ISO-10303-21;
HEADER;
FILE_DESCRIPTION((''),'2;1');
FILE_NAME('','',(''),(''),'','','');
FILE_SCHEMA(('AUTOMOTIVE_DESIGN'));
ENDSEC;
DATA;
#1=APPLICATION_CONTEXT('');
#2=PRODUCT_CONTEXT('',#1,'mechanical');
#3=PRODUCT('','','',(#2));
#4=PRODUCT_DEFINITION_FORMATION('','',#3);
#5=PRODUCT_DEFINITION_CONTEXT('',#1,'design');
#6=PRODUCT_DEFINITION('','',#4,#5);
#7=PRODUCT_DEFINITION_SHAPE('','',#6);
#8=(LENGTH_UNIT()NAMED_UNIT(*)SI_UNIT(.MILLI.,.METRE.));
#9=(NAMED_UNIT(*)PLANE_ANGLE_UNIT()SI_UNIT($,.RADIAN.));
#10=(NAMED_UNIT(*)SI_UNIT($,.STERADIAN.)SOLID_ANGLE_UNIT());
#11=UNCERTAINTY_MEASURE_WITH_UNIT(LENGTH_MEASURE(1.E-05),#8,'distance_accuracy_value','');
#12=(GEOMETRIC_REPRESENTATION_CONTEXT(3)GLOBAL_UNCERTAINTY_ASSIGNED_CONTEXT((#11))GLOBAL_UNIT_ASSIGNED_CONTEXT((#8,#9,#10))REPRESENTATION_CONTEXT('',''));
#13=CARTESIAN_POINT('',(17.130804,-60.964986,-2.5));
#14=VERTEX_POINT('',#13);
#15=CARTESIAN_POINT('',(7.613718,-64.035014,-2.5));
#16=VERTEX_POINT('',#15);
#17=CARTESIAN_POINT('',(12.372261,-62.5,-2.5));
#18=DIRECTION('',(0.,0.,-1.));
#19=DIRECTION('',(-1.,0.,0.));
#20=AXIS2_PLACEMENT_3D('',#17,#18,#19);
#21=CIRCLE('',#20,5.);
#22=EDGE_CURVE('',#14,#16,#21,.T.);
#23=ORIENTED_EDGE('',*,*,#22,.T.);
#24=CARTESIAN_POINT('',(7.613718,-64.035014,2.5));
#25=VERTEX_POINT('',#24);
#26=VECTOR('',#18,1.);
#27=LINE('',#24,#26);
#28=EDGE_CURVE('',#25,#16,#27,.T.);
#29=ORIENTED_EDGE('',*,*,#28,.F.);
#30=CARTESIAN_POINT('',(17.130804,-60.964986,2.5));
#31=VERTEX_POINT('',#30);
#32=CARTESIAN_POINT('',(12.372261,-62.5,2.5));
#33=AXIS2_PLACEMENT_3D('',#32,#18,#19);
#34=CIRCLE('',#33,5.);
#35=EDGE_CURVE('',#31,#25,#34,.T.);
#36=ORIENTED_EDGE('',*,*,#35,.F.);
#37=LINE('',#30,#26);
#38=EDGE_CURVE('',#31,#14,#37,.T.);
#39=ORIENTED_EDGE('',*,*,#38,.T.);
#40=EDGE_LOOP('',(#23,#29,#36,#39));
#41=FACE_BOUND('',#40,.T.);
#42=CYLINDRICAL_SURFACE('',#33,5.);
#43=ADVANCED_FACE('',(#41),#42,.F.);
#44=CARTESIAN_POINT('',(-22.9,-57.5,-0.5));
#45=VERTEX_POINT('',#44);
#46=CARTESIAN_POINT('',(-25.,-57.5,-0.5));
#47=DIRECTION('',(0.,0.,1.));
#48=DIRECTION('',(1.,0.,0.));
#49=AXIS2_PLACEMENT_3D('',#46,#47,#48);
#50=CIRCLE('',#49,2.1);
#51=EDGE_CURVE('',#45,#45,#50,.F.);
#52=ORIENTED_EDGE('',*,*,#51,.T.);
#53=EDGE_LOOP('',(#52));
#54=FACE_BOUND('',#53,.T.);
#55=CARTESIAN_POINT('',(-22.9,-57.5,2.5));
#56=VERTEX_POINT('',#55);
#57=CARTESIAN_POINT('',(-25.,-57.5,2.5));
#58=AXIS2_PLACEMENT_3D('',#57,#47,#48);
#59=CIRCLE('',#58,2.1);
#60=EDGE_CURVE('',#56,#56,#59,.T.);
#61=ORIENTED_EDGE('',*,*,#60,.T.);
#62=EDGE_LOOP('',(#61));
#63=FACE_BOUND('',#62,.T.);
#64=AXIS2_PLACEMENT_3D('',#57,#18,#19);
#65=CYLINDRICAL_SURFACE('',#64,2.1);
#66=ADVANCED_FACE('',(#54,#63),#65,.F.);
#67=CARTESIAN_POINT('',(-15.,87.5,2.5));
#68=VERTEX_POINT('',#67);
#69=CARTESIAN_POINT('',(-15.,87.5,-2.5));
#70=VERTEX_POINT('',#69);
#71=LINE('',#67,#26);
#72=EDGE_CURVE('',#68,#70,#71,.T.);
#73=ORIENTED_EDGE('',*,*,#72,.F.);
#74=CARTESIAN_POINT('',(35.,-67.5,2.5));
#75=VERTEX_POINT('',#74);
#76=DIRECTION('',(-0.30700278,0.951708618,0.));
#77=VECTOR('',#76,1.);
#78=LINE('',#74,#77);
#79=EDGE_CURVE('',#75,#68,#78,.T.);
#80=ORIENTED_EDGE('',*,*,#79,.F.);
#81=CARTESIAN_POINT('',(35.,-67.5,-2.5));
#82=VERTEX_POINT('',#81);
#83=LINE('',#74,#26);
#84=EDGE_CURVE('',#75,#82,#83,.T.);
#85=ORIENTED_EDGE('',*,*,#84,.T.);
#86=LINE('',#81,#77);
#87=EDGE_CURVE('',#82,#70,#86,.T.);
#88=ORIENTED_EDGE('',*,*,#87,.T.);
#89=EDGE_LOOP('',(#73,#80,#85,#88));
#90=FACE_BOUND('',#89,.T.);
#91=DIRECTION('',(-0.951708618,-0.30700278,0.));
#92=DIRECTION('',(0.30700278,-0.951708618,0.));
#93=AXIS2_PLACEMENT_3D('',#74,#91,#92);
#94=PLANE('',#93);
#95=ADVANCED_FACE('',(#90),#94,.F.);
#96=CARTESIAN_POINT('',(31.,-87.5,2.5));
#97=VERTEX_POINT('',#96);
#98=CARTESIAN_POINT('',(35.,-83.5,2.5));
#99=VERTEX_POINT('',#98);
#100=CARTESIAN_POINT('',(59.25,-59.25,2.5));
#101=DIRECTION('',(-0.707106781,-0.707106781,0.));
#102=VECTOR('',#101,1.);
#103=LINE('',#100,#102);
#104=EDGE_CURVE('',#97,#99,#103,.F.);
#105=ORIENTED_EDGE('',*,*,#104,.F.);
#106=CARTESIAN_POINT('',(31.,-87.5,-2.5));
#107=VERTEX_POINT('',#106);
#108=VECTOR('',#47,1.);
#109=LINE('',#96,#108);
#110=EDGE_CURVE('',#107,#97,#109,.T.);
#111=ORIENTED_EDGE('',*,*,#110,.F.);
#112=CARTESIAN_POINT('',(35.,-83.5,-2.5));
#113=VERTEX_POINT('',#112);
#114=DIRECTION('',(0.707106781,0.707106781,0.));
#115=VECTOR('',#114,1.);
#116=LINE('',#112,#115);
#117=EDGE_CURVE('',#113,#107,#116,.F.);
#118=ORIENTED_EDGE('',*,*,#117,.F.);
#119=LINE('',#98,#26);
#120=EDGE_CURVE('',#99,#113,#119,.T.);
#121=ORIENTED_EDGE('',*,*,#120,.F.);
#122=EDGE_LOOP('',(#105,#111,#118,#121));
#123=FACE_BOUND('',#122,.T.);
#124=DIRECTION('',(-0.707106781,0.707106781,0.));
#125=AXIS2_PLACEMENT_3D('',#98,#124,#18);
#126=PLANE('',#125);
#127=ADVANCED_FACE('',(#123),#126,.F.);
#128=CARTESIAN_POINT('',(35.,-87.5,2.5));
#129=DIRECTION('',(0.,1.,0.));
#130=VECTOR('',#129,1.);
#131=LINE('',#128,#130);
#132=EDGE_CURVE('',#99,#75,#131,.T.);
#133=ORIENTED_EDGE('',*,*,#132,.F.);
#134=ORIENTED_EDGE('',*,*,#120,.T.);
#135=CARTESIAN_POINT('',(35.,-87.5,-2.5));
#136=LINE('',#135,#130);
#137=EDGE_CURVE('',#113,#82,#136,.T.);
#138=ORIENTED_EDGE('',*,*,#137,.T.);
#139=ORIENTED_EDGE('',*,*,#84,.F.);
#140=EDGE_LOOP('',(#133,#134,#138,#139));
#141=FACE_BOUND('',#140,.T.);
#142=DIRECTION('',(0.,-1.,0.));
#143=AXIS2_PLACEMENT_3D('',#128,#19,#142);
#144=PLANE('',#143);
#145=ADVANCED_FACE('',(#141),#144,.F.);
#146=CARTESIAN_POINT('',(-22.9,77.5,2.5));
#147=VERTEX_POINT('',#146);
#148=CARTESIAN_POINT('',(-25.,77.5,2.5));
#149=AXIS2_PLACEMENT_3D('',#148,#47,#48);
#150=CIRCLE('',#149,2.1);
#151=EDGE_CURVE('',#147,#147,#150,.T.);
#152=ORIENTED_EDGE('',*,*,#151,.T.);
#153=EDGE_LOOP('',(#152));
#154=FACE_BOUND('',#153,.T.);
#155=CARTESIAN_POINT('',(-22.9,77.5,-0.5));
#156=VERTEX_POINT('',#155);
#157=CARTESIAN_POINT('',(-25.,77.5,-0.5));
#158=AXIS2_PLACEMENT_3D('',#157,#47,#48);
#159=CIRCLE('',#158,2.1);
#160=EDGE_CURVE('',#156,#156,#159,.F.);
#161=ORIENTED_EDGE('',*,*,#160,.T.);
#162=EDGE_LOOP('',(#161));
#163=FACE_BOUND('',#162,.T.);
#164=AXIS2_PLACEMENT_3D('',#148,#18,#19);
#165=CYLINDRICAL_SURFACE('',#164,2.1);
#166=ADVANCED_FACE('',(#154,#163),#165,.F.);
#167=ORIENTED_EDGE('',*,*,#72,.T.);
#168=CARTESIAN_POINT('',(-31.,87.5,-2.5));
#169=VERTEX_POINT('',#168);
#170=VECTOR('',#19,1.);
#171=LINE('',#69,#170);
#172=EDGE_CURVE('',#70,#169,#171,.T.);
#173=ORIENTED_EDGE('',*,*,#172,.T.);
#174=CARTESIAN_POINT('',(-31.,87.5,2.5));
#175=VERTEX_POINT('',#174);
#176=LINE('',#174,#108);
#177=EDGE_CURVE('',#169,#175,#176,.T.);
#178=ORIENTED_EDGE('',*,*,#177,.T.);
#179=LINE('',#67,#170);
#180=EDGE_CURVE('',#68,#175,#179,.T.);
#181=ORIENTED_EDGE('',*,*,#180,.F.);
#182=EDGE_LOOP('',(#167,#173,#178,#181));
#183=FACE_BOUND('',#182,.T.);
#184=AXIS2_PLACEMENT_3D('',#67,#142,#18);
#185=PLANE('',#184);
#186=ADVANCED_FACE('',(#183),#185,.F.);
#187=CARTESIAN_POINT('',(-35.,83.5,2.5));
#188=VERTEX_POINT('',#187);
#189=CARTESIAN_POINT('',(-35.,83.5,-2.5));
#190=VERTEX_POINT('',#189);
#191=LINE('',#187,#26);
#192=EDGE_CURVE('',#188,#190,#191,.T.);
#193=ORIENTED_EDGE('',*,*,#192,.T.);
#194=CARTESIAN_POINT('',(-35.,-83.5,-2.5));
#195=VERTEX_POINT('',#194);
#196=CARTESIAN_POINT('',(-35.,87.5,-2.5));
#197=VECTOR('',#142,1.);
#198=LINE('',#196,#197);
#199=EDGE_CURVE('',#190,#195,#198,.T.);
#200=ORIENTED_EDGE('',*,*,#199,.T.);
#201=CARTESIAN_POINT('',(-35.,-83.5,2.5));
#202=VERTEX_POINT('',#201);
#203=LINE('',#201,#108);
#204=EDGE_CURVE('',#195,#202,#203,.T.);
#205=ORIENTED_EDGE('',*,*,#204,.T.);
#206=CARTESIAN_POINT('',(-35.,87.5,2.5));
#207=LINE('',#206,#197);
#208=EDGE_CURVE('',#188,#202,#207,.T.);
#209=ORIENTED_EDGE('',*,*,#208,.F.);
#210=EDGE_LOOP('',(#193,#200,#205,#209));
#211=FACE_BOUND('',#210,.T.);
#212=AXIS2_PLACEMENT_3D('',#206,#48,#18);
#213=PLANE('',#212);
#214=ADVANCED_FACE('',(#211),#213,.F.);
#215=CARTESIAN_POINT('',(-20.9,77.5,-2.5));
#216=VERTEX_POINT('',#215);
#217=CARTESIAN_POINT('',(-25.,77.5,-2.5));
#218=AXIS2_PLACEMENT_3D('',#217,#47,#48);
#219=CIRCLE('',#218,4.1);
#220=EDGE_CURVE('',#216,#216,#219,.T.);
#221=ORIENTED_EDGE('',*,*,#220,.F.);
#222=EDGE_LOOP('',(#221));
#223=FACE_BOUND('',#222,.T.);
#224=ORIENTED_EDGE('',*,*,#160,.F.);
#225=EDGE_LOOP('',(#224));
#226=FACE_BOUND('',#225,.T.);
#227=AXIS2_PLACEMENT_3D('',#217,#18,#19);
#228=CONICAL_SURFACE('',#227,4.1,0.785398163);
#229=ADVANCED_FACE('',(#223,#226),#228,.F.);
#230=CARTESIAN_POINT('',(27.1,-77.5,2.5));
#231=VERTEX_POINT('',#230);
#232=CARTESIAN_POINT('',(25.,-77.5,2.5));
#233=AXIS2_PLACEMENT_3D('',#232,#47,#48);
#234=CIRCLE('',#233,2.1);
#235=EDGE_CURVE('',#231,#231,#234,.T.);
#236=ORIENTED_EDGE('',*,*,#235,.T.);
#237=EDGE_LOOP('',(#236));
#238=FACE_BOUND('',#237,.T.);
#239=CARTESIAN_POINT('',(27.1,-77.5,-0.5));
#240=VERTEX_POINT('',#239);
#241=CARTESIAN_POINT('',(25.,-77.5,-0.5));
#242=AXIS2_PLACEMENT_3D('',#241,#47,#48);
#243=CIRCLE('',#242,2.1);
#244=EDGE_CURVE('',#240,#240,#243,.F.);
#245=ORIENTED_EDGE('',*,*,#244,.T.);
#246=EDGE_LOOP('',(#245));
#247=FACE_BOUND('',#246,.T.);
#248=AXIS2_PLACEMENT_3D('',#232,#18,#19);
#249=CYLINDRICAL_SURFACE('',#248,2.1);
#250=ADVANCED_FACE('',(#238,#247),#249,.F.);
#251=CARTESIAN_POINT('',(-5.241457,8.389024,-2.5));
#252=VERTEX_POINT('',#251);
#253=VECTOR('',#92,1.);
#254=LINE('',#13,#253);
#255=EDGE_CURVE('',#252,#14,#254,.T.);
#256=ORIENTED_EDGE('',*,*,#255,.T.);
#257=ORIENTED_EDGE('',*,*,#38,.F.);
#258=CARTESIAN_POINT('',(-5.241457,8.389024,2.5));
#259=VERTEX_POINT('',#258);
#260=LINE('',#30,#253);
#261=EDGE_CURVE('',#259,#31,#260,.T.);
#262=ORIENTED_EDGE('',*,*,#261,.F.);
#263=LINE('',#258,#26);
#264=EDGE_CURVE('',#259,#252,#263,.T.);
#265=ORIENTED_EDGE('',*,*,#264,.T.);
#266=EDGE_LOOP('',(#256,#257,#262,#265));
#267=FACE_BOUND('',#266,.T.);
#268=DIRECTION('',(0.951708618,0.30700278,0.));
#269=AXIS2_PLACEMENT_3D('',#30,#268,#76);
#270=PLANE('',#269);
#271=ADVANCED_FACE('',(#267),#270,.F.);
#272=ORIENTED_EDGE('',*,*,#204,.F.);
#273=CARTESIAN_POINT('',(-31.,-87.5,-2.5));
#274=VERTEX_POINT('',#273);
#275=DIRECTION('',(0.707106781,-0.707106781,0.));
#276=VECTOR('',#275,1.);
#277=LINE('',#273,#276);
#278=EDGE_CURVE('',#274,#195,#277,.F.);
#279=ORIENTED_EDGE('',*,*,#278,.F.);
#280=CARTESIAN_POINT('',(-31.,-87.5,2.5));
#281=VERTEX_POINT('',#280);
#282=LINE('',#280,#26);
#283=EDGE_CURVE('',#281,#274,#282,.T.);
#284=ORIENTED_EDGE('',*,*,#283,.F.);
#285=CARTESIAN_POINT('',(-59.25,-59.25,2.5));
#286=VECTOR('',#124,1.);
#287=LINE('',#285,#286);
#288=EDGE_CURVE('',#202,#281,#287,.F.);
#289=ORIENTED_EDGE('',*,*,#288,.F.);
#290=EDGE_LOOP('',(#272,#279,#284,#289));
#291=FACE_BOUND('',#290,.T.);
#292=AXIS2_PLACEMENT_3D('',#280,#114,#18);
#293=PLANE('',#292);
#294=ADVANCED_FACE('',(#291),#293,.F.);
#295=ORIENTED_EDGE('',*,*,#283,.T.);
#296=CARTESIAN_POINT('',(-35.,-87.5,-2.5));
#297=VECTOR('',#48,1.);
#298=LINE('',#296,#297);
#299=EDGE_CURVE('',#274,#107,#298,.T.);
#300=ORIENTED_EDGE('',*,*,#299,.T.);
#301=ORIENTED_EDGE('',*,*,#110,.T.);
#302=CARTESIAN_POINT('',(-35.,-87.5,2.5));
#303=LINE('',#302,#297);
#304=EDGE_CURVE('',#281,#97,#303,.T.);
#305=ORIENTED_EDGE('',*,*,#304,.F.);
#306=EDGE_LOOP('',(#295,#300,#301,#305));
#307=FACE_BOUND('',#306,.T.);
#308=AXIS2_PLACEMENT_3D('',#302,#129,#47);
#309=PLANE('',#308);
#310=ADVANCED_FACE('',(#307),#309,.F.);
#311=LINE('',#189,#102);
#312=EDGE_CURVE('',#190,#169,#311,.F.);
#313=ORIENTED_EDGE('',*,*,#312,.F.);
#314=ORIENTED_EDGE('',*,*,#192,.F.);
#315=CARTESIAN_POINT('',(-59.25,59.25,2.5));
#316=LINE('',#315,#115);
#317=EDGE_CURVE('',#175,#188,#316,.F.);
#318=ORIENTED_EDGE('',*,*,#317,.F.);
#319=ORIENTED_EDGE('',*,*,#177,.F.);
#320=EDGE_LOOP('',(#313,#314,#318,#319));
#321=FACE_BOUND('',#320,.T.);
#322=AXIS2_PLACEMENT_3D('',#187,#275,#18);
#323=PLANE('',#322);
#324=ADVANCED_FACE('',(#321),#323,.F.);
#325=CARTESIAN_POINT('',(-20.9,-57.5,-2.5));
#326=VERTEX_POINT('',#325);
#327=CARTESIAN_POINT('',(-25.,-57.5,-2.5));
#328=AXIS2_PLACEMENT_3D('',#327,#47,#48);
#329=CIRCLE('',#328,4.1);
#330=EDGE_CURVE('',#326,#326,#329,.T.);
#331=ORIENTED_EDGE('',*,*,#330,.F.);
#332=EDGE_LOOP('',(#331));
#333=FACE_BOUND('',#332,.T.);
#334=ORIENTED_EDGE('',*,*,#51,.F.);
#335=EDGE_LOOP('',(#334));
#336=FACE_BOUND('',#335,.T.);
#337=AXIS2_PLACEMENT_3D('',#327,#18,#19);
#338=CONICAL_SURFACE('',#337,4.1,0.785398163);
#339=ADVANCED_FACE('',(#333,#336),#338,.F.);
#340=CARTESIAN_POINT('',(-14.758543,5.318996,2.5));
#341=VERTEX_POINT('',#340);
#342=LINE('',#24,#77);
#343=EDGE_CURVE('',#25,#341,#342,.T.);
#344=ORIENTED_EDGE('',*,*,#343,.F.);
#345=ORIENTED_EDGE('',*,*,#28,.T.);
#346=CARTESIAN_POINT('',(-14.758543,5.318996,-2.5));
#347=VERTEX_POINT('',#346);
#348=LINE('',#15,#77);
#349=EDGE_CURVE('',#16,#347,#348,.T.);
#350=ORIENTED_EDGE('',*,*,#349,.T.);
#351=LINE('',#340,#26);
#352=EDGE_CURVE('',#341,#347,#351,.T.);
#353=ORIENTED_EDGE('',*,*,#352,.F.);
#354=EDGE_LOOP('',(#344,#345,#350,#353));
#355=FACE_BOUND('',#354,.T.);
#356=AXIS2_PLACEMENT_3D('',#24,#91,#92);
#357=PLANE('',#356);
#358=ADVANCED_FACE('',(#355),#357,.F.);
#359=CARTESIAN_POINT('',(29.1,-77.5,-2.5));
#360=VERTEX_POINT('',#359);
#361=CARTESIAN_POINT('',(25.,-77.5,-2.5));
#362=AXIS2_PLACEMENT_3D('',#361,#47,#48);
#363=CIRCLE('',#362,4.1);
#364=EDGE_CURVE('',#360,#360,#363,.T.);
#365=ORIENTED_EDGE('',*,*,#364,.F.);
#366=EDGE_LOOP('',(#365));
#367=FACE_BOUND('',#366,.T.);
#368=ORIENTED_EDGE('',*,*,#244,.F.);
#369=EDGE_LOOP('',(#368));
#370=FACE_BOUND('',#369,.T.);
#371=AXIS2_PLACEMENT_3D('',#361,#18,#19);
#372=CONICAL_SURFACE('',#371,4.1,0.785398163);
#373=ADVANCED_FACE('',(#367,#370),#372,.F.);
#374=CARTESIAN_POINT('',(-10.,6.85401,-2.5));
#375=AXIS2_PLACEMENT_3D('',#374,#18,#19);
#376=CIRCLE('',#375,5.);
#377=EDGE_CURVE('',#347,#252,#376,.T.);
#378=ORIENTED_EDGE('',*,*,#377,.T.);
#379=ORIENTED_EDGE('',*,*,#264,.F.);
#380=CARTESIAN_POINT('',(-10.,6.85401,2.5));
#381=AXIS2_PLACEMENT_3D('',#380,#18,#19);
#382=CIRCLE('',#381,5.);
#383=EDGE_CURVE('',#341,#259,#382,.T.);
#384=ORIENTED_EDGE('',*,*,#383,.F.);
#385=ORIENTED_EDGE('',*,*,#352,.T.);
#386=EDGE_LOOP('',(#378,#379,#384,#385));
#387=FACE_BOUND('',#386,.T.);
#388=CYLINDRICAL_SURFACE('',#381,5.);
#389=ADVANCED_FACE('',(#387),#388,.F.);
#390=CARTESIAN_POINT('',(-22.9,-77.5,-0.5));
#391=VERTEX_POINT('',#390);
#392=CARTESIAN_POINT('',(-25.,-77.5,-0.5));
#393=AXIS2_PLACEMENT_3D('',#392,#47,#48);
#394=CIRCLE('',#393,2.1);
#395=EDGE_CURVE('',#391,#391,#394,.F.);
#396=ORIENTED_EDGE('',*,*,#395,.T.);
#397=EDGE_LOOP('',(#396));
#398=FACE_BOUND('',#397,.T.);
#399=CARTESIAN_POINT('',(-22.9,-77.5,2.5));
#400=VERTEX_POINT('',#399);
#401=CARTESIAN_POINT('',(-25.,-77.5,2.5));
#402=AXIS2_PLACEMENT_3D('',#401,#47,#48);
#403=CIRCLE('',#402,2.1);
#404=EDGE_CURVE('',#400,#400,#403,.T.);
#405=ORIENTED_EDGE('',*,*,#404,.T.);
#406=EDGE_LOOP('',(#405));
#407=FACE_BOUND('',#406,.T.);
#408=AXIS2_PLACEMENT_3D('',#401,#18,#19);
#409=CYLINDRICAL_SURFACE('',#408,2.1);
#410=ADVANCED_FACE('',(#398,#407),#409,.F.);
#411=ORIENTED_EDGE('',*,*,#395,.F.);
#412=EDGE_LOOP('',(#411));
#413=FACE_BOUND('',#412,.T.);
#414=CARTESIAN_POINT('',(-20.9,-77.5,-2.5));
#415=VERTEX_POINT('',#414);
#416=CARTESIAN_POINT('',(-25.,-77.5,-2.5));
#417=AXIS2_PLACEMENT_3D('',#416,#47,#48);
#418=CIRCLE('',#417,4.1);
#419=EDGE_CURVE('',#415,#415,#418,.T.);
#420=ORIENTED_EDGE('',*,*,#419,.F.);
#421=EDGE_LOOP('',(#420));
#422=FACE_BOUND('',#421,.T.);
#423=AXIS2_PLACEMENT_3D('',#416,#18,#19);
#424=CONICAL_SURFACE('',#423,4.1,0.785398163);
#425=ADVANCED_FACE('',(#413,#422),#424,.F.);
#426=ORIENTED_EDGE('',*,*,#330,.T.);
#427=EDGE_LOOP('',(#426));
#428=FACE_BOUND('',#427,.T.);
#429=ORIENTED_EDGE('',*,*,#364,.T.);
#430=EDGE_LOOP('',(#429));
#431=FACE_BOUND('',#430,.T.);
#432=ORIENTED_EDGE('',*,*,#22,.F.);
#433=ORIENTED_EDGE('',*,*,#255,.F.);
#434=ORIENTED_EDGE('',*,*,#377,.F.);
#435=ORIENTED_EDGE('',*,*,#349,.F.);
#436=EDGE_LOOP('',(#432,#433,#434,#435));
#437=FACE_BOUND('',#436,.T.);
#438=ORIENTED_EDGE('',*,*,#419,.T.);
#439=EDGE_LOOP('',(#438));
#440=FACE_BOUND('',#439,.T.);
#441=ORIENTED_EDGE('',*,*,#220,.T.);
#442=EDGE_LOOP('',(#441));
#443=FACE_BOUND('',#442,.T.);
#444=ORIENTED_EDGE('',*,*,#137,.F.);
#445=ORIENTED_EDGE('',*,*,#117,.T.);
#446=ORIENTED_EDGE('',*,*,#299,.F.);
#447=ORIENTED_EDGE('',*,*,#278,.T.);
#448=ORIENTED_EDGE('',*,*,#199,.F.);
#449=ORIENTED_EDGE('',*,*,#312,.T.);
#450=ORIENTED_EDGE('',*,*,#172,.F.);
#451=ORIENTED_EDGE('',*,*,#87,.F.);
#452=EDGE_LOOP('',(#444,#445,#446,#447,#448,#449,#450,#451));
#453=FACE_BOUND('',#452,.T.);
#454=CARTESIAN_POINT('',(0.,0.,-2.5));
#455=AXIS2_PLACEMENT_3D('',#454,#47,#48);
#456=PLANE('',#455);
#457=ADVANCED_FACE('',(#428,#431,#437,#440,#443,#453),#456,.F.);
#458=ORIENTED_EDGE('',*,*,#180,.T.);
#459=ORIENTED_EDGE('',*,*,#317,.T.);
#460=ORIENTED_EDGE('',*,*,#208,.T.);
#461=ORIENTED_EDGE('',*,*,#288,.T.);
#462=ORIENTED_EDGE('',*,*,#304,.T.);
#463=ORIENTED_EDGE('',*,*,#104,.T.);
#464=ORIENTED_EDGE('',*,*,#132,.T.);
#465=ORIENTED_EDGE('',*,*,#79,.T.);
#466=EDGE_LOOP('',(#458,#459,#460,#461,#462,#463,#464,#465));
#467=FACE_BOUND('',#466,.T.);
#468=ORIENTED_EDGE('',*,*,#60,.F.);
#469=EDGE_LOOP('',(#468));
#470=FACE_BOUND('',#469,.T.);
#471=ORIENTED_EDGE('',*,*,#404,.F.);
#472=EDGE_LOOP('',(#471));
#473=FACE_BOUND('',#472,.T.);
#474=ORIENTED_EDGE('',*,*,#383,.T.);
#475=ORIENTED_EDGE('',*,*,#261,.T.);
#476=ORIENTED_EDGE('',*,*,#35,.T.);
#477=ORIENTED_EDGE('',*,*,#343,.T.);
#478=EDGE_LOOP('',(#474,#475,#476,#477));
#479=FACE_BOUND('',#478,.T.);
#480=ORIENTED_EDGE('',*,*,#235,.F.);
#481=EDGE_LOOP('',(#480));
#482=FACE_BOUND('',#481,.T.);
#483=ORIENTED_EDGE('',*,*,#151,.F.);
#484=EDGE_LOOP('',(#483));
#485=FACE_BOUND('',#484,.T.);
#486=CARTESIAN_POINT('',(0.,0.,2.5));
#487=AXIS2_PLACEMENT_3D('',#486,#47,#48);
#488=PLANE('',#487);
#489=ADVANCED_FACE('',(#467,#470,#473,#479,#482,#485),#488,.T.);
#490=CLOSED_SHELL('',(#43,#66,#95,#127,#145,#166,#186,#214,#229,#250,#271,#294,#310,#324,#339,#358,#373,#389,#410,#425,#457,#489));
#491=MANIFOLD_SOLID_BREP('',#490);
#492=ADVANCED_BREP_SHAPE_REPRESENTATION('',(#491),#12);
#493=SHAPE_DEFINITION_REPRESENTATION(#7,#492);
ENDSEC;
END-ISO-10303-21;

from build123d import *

# Parameters (mm, degrees)
SKETCH_1_R          = 2.1
EXTRUDE_1_DEPTH     = 2.5
CHAMFER_1_SIZE      = 4
CHAMFER_2_SIZE      = 2
CUT_EXTRUDE_1_DEPTH = 95.372930441


with BuildPart() as part:
    # 草图1 → 凸台-拉伸1 (new, symmetric)
    with BuildSketch(Plane.XY):
        Polygon((-35, 87.5), (-35, -87.5), (35, -87.5), (35, -67.5), (-15, 87.5), align=None)
        with Locations((-25, -77.5)):
            Circle(SKETCH_1_R, mode=Mode.SUBTRACT)
        with Locations((25, -77.5)):
            Circle(SKETCH_1_R, mode=Mode.SUBTRACT)
        with Locations((-25, 77.5)):
            Circle(SKETCH_1_R, mode=Mode.SUBTRACT)
        with Locations((-25, -57.5)):
            Circle(SKETCH_1_R, mode=Mode.SUBTRACT)
    extrude(amount=EXTRUDE_1_DEPTH, both=True)

    # 倒角1
    chamfer_1_edges = [part.edges().sort_by_distance(p)[0] for p in [
        (-35, -87.5, 0),
        (-35, 87.5, 0),
        (35, -87.5, 0),
    ]]
    chamfer(chamfer_1_edges, length=CHAMFER_1_SIZE)

    # 倒角2
    chamfer_2_edges = [part.edges().sort_by_distance(p)[0] for p in [
        (22.9, -77.5, -2.5),
        (-27.1, -77.5, -2.5),
        (-27.1, 77.5, -2.5),
        (-27.1, -57.5, -2.5),
    ]]
    chamfer(chamfer_2_edges, length=CHAMFER_2_SIZE)

    # 草图2 → 切除-拉伸1 (cut, through all)
    with BuildSketch(Plane(origin=(0, 0, -2.5), x_dir=(-1, 0, 0), z_dir=(0, 0, -1))):
        with BuildLine():
            Line((-17.130804412, -60.9649861), (5.241456911, 8.389024))
            ThreePointArc((5.241456911, 8.389024), (11.5350139, 11.612553189), (14.758543089, 5.318996201))
            Line((14.758543089, 5.318996201), (-7.613718234, -64.0350139))
            ThreePointArc((-7.613718234, -64.0350139), (-13.907275222, -67.258543089), (-17.130804412, -60.9649861))
        make_face()
    extrude(amount=-CUT_EXTRUDE_1_DEPTH, mode=Mode.SUBTRACT)


solid = part.part
